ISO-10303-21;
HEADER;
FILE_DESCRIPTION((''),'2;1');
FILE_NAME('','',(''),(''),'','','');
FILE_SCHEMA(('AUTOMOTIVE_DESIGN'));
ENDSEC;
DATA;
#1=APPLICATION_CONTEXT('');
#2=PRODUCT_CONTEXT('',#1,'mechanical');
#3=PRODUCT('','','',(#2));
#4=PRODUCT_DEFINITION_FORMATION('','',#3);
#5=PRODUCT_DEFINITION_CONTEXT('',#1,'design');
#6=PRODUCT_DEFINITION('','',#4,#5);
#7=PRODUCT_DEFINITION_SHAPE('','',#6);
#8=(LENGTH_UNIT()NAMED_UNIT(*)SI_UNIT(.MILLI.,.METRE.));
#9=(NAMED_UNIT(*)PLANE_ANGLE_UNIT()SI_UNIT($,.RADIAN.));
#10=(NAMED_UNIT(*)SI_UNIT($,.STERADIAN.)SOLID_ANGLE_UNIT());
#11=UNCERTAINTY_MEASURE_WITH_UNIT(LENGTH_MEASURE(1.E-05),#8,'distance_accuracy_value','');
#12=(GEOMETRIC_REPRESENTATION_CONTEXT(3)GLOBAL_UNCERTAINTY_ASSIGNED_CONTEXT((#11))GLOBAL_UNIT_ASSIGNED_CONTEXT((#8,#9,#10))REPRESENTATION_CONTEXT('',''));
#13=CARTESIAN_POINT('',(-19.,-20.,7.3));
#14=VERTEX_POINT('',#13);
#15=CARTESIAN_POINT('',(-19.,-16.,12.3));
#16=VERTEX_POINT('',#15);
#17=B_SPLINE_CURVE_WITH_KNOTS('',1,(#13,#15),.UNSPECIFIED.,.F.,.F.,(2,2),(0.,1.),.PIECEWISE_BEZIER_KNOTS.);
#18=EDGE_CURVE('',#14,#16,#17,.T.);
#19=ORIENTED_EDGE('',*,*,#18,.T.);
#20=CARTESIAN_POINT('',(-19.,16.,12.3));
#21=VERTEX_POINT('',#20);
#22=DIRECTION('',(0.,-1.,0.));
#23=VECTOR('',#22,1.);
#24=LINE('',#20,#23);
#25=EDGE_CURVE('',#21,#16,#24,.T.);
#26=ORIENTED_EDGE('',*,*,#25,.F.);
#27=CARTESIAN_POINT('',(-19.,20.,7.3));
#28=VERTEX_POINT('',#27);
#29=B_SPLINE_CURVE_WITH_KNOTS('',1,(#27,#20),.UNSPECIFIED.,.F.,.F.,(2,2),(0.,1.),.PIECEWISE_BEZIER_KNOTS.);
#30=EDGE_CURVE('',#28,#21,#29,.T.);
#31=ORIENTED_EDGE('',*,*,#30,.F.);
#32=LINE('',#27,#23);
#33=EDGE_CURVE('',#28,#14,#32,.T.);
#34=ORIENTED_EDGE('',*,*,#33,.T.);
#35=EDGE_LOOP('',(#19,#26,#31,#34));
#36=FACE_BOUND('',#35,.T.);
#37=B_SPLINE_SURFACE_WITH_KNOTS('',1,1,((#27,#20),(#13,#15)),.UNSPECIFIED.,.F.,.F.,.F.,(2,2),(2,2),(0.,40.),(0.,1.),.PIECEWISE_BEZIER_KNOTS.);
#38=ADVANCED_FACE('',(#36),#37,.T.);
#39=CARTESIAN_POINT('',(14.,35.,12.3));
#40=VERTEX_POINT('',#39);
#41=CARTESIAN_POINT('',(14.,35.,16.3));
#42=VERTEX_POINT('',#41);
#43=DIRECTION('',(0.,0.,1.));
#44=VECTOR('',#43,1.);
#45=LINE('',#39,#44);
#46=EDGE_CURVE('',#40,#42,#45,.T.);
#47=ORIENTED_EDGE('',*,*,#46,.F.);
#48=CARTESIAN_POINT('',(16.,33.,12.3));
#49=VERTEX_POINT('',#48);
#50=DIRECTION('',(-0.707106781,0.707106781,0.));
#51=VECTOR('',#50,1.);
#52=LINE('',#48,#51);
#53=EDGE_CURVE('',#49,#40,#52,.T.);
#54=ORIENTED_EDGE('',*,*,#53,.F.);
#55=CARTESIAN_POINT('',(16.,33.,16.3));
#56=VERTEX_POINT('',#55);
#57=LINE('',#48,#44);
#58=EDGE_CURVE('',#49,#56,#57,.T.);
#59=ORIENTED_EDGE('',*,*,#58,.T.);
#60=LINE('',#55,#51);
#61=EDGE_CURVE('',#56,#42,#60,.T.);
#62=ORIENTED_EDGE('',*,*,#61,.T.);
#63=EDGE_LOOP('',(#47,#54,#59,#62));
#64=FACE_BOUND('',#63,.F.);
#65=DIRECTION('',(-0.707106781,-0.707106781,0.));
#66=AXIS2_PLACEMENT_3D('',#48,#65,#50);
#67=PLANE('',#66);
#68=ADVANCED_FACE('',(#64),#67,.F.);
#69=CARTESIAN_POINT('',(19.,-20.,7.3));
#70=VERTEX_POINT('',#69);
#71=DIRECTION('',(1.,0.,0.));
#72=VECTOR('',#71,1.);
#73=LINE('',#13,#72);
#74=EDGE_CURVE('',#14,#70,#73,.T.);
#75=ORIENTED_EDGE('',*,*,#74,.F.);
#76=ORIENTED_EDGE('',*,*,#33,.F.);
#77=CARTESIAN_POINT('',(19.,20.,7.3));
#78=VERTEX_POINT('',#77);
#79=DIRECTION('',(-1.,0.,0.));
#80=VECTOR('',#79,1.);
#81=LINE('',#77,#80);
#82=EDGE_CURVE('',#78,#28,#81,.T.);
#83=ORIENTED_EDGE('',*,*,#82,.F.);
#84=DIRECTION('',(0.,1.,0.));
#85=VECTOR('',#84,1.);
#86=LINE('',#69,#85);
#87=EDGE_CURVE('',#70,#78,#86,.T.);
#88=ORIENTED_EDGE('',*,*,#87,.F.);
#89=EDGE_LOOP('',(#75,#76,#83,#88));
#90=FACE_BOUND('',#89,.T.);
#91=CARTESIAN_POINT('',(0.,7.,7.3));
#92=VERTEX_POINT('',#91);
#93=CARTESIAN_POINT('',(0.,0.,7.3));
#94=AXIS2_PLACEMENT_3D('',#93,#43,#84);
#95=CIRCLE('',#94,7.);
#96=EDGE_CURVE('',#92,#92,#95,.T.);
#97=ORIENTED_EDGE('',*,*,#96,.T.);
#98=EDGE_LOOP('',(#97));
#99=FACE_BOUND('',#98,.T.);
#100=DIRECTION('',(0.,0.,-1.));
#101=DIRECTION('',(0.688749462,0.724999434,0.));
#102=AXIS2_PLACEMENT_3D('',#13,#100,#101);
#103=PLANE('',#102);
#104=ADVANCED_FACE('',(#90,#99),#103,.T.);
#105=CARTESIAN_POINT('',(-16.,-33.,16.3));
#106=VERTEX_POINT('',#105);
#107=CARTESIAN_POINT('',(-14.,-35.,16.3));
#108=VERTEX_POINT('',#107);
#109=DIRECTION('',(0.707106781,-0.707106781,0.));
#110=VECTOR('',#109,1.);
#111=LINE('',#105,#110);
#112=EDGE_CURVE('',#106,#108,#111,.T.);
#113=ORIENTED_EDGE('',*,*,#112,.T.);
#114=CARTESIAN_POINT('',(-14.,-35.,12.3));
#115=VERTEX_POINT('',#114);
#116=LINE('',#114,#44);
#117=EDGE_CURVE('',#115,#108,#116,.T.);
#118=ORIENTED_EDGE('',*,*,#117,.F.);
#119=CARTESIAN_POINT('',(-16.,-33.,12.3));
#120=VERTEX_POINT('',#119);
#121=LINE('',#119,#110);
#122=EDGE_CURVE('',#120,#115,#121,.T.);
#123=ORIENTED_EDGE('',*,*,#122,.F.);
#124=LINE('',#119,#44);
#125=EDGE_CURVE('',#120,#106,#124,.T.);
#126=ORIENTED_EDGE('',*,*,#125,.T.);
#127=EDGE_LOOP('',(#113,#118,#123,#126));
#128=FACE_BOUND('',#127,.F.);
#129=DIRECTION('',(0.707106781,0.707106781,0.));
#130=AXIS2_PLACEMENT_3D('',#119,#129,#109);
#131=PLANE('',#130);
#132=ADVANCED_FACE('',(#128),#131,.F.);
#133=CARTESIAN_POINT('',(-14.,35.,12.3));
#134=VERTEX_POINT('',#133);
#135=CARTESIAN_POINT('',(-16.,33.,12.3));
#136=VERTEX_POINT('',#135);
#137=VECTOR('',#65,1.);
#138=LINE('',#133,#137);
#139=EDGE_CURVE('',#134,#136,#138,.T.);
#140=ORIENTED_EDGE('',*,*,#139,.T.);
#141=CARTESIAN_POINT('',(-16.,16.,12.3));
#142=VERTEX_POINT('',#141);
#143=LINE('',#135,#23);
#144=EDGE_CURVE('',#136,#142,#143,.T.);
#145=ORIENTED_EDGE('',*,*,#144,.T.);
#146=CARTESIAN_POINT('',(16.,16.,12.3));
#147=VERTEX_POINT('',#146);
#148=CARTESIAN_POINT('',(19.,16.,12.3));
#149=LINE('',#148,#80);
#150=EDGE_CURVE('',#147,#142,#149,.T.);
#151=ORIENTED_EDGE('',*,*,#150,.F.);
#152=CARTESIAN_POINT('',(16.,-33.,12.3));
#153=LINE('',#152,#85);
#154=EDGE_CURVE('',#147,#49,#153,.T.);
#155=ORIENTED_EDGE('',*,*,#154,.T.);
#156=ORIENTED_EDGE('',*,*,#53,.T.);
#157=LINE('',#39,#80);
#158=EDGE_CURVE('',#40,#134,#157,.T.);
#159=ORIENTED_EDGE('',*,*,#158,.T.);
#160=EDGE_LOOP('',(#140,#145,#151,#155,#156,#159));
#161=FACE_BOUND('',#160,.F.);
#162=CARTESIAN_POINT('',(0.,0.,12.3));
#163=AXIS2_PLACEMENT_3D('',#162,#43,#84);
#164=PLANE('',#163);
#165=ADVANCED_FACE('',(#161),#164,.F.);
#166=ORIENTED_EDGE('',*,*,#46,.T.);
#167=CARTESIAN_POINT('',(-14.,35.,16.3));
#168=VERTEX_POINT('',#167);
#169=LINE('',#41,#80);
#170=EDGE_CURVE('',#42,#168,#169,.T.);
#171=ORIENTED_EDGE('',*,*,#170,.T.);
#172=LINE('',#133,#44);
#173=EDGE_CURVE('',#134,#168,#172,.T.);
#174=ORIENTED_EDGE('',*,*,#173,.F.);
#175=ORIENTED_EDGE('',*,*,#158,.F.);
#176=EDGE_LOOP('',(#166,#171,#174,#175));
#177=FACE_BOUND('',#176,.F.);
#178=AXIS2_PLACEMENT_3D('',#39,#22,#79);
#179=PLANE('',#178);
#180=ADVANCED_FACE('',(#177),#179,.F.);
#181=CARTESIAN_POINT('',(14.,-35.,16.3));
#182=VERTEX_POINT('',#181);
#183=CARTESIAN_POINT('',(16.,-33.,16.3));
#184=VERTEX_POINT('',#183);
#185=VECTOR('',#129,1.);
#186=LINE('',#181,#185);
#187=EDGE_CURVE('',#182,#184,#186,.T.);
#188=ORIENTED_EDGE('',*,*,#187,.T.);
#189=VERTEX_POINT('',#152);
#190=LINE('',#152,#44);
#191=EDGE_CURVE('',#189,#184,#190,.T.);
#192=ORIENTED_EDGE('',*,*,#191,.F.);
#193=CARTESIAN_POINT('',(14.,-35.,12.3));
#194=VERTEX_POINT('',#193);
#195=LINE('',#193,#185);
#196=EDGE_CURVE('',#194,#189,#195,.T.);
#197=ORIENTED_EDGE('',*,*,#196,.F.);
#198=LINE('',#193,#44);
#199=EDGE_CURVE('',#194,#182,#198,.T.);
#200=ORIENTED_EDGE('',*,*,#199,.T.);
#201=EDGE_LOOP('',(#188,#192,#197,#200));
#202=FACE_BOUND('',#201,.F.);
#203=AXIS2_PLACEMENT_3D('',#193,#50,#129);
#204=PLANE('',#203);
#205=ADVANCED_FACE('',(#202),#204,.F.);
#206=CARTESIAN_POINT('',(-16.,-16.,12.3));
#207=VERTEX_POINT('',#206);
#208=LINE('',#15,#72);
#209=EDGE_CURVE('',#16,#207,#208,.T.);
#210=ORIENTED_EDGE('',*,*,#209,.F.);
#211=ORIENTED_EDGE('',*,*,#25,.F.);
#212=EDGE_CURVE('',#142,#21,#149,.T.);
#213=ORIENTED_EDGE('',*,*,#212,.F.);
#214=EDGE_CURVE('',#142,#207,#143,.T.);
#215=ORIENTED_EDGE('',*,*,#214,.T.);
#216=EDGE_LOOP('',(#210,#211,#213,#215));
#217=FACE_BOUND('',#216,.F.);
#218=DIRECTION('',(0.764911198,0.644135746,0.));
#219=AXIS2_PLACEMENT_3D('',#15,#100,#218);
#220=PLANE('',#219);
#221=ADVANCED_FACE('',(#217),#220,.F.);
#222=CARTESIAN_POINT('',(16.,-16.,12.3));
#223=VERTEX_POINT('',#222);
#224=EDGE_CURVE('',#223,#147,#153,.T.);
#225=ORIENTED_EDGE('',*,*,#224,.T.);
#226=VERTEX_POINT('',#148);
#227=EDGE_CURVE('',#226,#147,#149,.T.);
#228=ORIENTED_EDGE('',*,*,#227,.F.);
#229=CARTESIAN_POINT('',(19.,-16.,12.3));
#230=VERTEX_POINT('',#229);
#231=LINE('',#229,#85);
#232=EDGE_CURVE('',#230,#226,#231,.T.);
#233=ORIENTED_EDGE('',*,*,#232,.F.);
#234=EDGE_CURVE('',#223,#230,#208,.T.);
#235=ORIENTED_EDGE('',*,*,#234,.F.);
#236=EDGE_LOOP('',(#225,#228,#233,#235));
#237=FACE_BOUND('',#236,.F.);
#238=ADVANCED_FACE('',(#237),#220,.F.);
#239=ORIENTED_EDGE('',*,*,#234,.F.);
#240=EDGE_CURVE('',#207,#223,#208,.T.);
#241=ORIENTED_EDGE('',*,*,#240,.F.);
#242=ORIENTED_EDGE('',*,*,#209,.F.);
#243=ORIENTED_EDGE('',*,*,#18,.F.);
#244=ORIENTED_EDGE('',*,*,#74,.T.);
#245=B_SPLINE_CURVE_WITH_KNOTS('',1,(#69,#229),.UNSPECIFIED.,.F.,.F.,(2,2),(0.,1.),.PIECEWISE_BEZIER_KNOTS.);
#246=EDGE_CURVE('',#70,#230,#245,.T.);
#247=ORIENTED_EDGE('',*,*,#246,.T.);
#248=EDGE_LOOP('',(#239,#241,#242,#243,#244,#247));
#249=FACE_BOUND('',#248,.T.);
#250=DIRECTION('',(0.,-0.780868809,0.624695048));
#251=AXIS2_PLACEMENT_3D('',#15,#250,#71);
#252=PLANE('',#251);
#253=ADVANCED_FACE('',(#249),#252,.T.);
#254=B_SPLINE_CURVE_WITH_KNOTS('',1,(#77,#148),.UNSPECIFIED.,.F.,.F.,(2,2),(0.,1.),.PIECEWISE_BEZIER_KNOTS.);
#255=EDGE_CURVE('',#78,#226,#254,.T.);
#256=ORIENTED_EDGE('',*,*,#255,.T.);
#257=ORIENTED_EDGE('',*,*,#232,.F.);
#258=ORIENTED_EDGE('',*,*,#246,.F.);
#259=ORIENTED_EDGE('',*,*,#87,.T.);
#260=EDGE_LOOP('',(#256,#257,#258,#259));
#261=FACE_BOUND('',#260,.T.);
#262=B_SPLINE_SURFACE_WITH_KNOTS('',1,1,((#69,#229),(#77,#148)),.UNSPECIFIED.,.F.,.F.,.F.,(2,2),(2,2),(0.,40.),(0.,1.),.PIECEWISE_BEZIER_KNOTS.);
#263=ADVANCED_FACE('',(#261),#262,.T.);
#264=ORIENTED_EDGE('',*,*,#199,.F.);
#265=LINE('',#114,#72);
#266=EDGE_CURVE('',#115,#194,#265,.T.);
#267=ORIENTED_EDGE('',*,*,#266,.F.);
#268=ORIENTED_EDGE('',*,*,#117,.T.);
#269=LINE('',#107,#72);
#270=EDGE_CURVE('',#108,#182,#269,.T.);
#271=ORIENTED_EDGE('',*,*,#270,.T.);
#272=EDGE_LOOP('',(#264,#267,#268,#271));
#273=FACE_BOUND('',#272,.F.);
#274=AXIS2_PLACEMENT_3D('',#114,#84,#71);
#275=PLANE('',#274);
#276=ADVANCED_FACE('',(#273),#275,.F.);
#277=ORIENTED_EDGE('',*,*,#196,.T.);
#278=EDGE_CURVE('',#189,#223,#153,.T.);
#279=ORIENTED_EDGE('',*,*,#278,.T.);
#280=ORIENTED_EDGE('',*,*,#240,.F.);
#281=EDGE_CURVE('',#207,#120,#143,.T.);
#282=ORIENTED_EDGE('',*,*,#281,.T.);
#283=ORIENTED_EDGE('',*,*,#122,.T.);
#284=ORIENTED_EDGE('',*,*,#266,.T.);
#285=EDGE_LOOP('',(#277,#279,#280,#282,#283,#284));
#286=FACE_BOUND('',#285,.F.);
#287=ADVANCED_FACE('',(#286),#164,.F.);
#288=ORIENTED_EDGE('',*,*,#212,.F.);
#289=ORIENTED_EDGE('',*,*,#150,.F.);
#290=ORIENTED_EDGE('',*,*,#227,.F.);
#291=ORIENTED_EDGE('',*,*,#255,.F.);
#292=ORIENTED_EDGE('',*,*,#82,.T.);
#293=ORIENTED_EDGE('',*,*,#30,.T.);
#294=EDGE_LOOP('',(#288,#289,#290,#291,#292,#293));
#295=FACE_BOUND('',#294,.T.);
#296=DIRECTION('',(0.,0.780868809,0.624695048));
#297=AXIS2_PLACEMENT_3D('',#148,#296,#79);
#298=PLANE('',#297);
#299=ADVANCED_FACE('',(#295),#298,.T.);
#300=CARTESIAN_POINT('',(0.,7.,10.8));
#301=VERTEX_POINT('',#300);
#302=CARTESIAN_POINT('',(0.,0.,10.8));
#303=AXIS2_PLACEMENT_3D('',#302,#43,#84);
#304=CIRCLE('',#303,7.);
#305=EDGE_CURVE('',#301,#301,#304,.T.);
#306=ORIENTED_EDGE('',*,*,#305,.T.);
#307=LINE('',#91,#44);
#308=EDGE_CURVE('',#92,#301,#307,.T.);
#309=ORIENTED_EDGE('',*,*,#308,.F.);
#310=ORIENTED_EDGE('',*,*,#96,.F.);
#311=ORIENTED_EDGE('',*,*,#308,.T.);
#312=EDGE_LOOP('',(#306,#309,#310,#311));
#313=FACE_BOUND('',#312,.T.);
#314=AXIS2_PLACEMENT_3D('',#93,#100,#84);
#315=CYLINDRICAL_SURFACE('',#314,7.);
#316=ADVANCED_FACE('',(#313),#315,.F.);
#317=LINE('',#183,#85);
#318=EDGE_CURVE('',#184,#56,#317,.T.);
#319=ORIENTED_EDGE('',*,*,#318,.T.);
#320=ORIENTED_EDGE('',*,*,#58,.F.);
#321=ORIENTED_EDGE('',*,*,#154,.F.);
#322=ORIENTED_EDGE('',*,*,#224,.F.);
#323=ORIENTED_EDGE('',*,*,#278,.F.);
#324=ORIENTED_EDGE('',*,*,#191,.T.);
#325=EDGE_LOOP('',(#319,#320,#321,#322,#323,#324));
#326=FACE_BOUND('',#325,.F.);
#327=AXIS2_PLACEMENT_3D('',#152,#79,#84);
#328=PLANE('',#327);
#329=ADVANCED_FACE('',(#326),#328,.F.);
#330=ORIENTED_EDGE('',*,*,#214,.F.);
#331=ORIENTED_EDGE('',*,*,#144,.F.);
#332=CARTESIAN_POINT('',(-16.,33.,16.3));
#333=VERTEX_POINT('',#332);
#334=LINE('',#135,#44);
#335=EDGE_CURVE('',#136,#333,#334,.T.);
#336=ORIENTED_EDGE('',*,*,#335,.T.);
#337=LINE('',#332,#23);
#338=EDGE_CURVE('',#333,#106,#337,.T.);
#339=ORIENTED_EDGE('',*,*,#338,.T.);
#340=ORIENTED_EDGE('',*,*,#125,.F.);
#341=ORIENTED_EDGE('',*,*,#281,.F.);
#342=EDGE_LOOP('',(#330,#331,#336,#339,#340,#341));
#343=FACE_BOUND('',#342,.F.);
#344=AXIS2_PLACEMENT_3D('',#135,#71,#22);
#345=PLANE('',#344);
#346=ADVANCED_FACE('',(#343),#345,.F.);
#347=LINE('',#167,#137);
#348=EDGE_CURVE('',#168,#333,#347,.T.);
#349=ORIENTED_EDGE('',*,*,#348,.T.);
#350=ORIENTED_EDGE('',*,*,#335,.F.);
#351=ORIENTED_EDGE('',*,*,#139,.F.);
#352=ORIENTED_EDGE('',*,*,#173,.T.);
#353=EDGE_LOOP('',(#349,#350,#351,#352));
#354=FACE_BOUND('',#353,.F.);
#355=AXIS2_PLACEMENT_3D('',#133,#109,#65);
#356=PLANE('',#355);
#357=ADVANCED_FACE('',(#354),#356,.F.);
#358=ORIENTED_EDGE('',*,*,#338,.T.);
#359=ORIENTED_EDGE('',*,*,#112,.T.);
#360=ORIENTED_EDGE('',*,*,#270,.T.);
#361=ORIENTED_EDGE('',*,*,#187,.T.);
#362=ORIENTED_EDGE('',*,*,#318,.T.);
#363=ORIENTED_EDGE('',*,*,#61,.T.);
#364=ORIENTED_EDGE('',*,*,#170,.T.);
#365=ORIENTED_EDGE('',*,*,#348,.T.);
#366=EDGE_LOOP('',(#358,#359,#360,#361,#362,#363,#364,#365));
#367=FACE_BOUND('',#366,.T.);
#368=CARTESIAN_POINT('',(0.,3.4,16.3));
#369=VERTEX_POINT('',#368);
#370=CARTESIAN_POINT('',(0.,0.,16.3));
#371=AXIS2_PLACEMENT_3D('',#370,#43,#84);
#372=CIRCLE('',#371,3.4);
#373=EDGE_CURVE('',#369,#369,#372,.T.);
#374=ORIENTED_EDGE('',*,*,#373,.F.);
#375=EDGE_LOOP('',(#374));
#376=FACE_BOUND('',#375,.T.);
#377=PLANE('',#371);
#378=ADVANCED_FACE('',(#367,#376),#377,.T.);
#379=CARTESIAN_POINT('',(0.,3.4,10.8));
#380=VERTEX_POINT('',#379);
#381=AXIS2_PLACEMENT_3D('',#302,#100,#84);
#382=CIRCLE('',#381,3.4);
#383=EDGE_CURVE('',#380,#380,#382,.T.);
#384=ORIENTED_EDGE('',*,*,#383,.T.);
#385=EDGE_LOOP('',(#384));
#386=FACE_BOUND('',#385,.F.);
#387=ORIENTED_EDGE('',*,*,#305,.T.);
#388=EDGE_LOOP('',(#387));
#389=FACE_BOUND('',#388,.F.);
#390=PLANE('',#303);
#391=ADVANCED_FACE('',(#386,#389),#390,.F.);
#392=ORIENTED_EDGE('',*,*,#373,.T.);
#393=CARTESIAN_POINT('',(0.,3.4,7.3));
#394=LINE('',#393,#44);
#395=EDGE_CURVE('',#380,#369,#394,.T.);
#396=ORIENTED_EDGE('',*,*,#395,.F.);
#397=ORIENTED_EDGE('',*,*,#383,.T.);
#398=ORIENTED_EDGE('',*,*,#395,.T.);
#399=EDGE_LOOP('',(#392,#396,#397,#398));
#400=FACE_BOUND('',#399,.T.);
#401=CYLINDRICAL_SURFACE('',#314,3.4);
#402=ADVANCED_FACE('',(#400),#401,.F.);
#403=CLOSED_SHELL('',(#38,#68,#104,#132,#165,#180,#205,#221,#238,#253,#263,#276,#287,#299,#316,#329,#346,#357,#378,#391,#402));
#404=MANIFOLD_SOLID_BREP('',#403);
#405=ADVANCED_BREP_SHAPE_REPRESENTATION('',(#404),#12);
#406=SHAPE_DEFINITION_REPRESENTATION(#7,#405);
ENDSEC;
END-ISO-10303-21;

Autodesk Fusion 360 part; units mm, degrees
ref_plane "工作平面1" through (0, 0, 12.3) normal (0, 0, 1) x (1, 0, 0)
sketch "草图1" plane through (0, 0, 12.3) normal (0, 0, 1) x (1, 0, 0)
  line L0 (-33, -16) -> (33, -16)
  line L1 (33, -16) -> (35, -14)
  line L2 (35, -14) -> (35, 14)
  line L3 (35, 14) -> (33, 16)
  line L4 (33, 16) -> (-33, 16)
  line L5 (-33, 16) -> (-35, 14)
  line L6 (-35, 14) -> (-35, -14)
  line L7 (-35, -14) -> (-33, -16)
extrude "70 x 32 camera support plate" add sketch "草图1" along normal blind 4
ref_plane "工作平面2" through (0, 0, 7.3) normal (0, 0, 1) x (1, 0, 0)
sketch "草图2" plane through (0, 0, 7.3) normal (0, 0, 1) x (1, 0, 0)
  line L0 (-20, -19) -> (20, -19)
  line L1 (20, -19) -> (20, 19)
  line L2 (20, 19) -> (-20, 19)
  line L3 (-20, 19) -> (-20, -19)
ref_plane "工作平面3" through (0, 0, 12.3) normal (0, 0, 1) x (1, 0, 0)
sketch "草图3" plane through (0, 0, 12.3) normal (0, 0, 1) x (1, 0, 0)
  line L0 (-16, -19) -> (16, -19)
  line L1 (16, -19) -> (16, 19)
  line L2 (16, 19) -> (-16, 19)
  line L3 (-16, 19) -> (-16, -19)
loft "40 to 32 mm male dovetail" add profiles "草图2", "草图3" section 1 section 2
ref_plane "工作平面4" through (0, 0, 7.3) normal (0, 0, 1) x (1, 0, 0)
sketch "草图4" plane through (0, 0, 7.3) normal (0, 0, 1) x (1, 0, 0)
  circle A0 centre (0, 0) radius 3.4
extrude "1/4 inch metal screw clearance 6.8 mm" cut sketch "草图4" along normal blind 9
ref_plane "工作平面5" through (0, 0, 7.3) normal (0, 0, 1) x (1, 0, 0)
sketch "草图5" plane through (0, 0, 7.3) normal (0, 0, 1) x (1, 0, 0)
  circle A0 centre (0, 0) radius 7
extrude "14 x 3.5 mm screw head recess" cut sketch "草图5" along normal blind 3.5
move_body "Align camera long edge with gimbal arm - 90 degrees" bodies 1 to x (0, 1, 0) y (-1, 0, 0) z (0, 0, 1) at (0, 0, 0)
